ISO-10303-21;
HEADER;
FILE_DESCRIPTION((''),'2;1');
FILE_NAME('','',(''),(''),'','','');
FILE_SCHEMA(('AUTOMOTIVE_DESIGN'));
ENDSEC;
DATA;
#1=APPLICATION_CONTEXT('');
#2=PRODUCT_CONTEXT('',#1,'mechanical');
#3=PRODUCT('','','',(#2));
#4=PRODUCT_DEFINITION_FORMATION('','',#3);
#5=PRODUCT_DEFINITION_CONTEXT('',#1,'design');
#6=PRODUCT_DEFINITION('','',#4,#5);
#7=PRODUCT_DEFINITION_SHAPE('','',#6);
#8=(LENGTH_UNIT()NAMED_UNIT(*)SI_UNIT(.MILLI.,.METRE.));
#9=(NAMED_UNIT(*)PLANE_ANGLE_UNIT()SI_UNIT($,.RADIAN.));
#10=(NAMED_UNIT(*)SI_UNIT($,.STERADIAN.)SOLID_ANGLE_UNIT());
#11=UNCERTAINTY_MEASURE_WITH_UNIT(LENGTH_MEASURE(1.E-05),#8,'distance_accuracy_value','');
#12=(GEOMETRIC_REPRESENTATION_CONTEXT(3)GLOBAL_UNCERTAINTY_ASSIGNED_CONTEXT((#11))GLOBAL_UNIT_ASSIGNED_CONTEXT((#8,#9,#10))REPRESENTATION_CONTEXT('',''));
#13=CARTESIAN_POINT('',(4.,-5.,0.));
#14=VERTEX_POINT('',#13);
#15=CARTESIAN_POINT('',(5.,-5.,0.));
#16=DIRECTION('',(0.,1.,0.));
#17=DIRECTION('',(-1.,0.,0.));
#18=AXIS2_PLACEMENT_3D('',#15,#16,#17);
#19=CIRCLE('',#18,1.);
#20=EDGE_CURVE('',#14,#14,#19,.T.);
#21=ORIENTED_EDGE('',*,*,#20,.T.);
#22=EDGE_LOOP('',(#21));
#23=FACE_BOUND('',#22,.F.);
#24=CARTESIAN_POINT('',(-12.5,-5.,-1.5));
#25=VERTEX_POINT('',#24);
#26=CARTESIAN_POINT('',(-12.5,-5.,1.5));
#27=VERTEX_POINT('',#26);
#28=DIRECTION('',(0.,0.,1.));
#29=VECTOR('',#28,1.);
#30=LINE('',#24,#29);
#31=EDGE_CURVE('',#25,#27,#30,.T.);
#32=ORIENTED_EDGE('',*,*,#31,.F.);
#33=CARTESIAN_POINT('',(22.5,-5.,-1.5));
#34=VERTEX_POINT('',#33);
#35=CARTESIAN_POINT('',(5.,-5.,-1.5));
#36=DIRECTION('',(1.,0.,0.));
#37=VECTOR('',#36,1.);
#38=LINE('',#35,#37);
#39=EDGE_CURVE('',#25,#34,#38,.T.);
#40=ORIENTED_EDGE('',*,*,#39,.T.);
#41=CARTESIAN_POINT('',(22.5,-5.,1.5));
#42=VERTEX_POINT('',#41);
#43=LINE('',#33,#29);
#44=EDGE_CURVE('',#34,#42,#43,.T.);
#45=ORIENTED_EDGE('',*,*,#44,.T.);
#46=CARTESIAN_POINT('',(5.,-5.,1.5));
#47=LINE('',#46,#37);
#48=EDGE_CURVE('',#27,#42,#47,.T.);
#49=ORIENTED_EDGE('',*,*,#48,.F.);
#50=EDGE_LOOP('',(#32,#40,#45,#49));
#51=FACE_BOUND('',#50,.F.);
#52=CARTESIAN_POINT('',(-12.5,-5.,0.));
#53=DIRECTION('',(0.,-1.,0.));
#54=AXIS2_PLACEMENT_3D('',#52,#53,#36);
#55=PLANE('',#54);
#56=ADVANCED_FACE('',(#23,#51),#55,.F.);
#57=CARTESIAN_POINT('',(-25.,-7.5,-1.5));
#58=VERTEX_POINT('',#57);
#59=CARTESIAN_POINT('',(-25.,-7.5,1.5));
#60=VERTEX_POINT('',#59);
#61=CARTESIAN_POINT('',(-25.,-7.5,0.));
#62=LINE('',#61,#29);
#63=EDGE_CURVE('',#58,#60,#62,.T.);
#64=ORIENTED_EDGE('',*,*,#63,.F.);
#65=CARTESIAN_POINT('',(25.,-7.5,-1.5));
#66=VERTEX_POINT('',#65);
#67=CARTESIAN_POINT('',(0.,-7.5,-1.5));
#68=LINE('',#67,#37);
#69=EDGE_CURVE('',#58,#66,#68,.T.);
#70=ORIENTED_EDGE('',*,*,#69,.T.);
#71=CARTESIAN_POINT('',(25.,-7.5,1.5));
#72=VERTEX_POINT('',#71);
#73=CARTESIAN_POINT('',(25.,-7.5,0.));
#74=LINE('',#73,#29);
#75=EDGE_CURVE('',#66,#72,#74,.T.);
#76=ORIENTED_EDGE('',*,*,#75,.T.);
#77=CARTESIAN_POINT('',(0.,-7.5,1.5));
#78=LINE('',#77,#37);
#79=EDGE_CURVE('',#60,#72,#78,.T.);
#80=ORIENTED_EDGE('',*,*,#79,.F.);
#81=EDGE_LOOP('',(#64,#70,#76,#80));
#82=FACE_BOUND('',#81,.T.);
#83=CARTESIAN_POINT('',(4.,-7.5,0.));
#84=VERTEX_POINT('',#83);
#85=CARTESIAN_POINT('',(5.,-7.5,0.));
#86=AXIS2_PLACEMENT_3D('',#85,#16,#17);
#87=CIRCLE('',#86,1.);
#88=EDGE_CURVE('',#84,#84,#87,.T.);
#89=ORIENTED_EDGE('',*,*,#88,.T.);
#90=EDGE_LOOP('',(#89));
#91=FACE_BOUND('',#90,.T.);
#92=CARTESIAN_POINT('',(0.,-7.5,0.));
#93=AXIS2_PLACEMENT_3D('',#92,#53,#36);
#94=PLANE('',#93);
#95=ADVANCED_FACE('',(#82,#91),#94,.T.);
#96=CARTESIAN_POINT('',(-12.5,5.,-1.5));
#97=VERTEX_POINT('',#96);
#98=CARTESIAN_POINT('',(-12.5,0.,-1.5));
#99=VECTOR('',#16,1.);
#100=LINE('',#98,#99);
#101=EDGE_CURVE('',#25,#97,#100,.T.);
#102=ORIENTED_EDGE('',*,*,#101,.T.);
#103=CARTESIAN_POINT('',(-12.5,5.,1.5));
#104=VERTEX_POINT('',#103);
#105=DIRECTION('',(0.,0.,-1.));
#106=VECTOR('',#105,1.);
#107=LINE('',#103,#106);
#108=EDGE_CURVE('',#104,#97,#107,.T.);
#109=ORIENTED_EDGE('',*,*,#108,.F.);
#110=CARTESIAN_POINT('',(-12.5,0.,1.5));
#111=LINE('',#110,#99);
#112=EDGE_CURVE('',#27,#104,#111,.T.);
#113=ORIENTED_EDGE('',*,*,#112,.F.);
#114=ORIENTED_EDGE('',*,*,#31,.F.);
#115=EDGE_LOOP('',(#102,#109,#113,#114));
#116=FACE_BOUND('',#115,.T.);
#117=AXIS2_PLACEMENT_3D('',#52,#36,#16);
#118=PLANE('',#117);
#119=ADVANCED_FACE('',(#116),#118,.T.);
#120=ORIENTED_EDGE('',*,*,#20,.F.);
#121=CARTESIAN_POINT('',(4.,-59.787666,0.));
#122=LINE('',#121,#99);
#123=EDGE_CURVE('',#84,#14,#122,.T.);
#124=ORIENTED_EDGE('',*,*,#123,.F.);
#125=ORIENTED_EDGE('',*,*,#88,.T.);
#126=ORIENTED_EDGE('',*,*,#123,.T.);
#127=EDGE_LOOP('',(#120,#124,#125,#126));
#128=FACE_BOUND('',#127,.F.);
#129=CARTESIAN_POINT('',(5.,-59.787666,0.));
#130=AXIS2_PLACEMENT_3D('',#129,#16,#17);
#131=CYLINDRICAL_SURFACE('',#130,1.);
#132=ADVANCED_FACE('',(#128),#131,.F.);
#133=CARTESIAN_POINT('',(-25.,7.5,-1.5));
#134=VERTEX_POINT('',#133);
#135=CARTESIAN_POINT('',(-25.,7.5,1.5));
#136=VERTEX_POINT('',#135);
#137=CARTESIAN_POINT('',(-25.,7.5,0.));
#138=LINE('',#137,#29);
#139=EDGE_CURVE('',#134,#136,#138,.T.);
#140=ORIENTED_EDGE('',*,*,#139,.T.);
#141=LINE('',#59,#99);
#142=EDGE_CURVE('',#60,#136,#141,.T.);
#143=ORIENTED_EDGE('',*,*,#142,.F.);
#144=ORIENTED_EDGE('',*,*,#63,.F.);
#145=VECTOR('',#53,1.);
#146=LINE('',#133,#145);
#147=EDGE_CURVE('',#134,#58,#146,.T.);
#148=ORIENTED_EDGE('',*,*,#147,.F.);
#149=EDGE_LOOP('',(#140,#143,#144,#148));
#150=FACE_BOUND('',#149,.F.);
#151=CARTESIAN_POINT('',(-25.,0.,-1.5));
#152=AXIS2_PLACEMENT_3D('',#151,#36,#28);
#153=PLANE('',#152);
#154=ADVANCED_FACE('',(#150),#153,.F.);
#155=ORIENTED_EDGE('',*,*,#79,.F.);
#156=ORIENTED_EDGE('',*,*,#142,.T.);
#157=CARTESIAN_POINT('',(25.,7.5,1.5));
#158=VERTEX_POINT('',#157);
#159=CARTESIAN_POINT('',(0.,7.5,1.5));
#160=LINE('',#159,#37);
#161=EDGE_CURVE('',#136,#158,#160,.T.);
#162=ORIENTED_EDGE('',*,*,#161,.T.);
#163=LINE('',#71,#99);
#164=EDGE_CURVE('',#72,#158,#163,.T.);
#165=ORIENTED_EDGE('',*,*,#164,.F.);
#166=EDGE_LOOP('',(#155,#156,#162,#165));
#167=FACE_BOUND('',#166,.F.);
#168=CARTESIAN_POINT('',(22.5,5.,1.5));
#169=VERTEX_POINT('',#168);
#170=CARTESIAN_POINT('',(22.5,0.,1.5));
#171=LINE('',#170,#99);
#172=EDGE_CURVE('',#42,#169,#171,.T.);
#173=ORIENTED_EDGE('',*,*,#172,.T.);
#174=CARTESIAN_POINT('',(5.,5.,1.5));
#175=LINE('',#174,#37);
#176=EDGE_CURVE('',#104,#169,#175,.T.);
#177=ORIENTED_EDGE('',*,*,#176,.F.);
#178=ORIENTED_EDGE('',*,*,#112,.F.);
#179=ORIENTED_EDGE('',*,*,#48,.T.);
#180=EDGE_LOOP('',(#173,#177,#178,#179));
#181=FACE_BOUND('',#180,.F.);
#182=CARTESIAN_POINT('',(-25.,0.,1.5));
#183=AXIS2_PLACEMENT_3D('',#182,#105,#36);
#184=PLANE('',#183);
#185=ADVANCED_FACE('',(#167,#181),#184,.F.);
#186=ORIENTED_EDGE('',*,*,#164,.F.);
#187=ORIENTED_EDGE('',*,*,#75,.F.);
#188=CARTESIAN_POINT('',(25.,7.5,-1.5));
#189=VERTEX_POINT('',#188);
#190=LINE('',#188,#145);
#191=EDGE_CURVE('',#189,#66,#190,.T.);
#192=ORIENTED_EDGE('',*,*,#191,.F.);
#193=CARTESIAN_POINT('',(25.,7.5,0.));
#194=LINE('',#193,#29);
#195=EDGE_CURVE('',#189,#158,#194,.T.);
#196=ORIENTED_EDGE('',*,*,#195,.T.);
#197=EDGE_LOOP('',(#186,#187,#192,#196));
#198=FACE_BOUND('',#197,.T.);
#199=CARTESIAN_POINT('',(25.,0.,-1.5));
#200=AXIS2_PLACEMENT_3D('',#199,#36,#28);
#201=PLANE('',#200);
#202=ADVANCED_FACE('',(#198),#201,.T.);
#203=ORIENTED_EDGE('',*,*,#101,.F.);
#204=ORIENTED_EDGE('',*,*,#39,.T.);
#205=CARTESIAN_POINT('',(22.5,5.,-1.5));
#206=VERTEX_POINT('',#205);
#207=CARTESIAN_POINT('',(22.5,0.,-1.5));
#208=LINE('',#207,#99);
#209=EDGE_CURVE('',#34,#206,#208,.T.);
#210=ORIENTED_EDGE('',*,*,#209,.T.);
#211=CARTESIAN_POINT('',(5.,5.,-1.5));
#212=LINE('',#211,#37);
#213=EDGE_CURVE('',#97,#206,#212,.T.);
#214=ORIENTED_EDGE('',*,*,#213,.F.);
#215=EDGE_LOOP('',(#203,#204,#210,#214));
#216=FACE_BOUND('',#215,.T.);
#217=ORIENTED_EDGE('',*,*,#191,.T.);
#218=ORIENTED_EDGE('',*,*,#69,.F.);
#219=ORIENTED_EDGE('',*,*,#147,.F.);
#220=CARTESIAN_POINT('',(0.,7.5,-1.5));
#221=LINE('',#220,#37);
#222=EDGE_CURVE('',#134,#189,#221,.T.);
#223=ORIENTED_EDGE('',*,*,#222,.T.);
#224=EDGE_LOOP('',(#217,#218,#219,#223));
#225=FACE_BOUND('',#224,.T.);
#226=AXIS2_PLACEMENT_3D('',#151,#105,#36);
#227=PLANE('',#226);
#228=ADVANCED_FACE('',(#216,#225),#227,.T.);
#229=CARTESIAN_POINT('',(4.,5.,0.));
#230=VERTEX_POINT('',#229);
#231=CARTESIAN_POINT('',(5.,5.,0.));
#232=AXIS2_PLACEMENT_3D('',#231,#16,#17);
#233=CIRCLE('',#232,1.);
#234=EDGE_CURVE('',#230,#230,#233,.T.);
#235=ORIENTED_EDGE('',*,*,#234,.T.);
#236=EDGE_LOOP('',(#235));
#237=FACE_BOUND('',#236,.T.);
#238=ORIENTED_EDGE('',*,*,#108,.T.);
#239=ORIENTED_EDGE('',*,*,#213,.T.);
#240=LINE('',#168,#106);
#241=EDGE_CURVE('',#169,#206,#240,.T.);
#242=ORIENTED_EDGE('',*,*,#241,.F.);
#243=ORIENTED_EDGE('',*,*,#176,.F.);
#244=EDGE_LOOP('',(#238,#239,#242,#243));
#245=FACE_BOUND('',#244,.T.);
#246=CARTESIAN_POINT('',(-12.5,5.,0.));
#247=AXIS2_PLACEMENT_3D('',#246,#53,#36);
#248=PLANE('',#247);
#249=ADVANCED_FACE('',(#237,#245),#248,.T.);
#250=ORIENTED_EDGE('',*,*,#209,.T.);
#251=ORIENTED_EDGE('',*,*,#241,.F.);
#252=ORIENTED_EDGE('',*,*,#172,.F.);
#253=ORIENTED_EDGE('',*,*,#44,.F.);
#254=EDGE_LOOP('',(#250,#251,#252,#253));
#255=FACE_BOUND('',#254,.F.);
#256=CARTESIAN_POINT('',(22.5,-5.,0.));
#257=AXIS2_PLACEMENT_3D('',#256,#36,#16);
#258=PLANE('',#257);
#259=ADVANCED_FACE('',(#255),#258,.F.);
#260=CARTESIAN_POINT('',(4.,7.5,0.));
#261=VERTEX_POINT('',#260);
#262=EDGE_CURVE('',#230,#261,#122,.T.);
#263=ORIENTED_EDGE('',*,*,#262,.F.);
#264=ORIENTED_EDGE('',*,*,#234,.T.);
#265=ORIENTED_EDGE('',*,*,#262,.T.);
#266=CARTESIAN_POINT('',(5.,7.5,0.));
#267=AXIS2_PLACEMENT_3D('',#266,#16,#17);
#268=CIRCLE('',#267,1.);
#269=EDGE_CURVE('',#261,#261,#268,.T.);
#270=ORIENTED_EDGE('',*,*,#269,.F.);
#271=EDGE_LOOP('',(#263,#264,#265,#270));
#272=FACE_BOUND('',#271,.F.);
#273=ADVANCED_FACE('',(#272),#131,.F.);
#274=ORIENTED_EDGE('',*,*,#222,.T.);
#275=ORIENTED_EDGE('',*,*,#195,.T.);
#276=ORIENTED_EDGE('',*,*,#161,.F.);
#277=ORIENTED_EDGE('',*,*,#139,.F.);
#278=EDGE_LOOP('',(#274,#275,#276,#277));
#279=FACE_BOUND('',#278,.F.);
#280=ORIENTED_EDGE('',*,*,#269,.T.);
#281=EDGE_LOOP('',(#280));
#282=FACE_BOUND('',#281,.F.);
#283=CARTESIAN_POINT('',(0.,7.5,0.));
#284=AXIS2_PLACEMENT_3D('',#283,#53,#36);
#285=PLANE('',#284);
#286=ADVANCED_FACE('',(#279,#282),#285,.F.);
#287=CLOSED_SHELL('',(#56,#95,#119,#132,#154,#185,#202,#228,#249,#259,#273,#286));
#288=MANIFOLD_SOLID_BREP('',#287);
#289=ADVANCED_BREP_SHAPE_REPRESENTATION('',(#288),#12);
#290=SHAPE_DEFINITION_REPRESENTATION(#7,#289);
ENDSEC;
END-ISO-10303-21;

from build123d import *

# Parameters (mm, degrees)
F0_W     = 50
F0_H     = 3
F1_DEPTH = 7.5
F2_W     = 35
F2_H     = 10
F3_DEPTH = 1.5
F5_D     = 2


with BuildPart() as f1:
    # F0 (on Front) → F1 (new body, symmetric)
    with BuildSketch(Plane.XZ):
        Rectangle(F0_W, F0_H)
    extrude(amount=F1_DEPTH, both=True)

    # F2 (on Top) → F3 (cut, symmetric)
    with BuildSketch(Plane.XY):
        with Locations((5, 0)):
            Rectangle(F2_W, F2_H)
    extrude(amount=F3_DEPTH, both=True, mode=Mode.SUBTRACT)

    # F5 (through all)
    with Locations(Plane.XZ.offset(7.5)):
        with Locations((5, 0)):
            Hole(F5_D / 2)


solid = f1.part
